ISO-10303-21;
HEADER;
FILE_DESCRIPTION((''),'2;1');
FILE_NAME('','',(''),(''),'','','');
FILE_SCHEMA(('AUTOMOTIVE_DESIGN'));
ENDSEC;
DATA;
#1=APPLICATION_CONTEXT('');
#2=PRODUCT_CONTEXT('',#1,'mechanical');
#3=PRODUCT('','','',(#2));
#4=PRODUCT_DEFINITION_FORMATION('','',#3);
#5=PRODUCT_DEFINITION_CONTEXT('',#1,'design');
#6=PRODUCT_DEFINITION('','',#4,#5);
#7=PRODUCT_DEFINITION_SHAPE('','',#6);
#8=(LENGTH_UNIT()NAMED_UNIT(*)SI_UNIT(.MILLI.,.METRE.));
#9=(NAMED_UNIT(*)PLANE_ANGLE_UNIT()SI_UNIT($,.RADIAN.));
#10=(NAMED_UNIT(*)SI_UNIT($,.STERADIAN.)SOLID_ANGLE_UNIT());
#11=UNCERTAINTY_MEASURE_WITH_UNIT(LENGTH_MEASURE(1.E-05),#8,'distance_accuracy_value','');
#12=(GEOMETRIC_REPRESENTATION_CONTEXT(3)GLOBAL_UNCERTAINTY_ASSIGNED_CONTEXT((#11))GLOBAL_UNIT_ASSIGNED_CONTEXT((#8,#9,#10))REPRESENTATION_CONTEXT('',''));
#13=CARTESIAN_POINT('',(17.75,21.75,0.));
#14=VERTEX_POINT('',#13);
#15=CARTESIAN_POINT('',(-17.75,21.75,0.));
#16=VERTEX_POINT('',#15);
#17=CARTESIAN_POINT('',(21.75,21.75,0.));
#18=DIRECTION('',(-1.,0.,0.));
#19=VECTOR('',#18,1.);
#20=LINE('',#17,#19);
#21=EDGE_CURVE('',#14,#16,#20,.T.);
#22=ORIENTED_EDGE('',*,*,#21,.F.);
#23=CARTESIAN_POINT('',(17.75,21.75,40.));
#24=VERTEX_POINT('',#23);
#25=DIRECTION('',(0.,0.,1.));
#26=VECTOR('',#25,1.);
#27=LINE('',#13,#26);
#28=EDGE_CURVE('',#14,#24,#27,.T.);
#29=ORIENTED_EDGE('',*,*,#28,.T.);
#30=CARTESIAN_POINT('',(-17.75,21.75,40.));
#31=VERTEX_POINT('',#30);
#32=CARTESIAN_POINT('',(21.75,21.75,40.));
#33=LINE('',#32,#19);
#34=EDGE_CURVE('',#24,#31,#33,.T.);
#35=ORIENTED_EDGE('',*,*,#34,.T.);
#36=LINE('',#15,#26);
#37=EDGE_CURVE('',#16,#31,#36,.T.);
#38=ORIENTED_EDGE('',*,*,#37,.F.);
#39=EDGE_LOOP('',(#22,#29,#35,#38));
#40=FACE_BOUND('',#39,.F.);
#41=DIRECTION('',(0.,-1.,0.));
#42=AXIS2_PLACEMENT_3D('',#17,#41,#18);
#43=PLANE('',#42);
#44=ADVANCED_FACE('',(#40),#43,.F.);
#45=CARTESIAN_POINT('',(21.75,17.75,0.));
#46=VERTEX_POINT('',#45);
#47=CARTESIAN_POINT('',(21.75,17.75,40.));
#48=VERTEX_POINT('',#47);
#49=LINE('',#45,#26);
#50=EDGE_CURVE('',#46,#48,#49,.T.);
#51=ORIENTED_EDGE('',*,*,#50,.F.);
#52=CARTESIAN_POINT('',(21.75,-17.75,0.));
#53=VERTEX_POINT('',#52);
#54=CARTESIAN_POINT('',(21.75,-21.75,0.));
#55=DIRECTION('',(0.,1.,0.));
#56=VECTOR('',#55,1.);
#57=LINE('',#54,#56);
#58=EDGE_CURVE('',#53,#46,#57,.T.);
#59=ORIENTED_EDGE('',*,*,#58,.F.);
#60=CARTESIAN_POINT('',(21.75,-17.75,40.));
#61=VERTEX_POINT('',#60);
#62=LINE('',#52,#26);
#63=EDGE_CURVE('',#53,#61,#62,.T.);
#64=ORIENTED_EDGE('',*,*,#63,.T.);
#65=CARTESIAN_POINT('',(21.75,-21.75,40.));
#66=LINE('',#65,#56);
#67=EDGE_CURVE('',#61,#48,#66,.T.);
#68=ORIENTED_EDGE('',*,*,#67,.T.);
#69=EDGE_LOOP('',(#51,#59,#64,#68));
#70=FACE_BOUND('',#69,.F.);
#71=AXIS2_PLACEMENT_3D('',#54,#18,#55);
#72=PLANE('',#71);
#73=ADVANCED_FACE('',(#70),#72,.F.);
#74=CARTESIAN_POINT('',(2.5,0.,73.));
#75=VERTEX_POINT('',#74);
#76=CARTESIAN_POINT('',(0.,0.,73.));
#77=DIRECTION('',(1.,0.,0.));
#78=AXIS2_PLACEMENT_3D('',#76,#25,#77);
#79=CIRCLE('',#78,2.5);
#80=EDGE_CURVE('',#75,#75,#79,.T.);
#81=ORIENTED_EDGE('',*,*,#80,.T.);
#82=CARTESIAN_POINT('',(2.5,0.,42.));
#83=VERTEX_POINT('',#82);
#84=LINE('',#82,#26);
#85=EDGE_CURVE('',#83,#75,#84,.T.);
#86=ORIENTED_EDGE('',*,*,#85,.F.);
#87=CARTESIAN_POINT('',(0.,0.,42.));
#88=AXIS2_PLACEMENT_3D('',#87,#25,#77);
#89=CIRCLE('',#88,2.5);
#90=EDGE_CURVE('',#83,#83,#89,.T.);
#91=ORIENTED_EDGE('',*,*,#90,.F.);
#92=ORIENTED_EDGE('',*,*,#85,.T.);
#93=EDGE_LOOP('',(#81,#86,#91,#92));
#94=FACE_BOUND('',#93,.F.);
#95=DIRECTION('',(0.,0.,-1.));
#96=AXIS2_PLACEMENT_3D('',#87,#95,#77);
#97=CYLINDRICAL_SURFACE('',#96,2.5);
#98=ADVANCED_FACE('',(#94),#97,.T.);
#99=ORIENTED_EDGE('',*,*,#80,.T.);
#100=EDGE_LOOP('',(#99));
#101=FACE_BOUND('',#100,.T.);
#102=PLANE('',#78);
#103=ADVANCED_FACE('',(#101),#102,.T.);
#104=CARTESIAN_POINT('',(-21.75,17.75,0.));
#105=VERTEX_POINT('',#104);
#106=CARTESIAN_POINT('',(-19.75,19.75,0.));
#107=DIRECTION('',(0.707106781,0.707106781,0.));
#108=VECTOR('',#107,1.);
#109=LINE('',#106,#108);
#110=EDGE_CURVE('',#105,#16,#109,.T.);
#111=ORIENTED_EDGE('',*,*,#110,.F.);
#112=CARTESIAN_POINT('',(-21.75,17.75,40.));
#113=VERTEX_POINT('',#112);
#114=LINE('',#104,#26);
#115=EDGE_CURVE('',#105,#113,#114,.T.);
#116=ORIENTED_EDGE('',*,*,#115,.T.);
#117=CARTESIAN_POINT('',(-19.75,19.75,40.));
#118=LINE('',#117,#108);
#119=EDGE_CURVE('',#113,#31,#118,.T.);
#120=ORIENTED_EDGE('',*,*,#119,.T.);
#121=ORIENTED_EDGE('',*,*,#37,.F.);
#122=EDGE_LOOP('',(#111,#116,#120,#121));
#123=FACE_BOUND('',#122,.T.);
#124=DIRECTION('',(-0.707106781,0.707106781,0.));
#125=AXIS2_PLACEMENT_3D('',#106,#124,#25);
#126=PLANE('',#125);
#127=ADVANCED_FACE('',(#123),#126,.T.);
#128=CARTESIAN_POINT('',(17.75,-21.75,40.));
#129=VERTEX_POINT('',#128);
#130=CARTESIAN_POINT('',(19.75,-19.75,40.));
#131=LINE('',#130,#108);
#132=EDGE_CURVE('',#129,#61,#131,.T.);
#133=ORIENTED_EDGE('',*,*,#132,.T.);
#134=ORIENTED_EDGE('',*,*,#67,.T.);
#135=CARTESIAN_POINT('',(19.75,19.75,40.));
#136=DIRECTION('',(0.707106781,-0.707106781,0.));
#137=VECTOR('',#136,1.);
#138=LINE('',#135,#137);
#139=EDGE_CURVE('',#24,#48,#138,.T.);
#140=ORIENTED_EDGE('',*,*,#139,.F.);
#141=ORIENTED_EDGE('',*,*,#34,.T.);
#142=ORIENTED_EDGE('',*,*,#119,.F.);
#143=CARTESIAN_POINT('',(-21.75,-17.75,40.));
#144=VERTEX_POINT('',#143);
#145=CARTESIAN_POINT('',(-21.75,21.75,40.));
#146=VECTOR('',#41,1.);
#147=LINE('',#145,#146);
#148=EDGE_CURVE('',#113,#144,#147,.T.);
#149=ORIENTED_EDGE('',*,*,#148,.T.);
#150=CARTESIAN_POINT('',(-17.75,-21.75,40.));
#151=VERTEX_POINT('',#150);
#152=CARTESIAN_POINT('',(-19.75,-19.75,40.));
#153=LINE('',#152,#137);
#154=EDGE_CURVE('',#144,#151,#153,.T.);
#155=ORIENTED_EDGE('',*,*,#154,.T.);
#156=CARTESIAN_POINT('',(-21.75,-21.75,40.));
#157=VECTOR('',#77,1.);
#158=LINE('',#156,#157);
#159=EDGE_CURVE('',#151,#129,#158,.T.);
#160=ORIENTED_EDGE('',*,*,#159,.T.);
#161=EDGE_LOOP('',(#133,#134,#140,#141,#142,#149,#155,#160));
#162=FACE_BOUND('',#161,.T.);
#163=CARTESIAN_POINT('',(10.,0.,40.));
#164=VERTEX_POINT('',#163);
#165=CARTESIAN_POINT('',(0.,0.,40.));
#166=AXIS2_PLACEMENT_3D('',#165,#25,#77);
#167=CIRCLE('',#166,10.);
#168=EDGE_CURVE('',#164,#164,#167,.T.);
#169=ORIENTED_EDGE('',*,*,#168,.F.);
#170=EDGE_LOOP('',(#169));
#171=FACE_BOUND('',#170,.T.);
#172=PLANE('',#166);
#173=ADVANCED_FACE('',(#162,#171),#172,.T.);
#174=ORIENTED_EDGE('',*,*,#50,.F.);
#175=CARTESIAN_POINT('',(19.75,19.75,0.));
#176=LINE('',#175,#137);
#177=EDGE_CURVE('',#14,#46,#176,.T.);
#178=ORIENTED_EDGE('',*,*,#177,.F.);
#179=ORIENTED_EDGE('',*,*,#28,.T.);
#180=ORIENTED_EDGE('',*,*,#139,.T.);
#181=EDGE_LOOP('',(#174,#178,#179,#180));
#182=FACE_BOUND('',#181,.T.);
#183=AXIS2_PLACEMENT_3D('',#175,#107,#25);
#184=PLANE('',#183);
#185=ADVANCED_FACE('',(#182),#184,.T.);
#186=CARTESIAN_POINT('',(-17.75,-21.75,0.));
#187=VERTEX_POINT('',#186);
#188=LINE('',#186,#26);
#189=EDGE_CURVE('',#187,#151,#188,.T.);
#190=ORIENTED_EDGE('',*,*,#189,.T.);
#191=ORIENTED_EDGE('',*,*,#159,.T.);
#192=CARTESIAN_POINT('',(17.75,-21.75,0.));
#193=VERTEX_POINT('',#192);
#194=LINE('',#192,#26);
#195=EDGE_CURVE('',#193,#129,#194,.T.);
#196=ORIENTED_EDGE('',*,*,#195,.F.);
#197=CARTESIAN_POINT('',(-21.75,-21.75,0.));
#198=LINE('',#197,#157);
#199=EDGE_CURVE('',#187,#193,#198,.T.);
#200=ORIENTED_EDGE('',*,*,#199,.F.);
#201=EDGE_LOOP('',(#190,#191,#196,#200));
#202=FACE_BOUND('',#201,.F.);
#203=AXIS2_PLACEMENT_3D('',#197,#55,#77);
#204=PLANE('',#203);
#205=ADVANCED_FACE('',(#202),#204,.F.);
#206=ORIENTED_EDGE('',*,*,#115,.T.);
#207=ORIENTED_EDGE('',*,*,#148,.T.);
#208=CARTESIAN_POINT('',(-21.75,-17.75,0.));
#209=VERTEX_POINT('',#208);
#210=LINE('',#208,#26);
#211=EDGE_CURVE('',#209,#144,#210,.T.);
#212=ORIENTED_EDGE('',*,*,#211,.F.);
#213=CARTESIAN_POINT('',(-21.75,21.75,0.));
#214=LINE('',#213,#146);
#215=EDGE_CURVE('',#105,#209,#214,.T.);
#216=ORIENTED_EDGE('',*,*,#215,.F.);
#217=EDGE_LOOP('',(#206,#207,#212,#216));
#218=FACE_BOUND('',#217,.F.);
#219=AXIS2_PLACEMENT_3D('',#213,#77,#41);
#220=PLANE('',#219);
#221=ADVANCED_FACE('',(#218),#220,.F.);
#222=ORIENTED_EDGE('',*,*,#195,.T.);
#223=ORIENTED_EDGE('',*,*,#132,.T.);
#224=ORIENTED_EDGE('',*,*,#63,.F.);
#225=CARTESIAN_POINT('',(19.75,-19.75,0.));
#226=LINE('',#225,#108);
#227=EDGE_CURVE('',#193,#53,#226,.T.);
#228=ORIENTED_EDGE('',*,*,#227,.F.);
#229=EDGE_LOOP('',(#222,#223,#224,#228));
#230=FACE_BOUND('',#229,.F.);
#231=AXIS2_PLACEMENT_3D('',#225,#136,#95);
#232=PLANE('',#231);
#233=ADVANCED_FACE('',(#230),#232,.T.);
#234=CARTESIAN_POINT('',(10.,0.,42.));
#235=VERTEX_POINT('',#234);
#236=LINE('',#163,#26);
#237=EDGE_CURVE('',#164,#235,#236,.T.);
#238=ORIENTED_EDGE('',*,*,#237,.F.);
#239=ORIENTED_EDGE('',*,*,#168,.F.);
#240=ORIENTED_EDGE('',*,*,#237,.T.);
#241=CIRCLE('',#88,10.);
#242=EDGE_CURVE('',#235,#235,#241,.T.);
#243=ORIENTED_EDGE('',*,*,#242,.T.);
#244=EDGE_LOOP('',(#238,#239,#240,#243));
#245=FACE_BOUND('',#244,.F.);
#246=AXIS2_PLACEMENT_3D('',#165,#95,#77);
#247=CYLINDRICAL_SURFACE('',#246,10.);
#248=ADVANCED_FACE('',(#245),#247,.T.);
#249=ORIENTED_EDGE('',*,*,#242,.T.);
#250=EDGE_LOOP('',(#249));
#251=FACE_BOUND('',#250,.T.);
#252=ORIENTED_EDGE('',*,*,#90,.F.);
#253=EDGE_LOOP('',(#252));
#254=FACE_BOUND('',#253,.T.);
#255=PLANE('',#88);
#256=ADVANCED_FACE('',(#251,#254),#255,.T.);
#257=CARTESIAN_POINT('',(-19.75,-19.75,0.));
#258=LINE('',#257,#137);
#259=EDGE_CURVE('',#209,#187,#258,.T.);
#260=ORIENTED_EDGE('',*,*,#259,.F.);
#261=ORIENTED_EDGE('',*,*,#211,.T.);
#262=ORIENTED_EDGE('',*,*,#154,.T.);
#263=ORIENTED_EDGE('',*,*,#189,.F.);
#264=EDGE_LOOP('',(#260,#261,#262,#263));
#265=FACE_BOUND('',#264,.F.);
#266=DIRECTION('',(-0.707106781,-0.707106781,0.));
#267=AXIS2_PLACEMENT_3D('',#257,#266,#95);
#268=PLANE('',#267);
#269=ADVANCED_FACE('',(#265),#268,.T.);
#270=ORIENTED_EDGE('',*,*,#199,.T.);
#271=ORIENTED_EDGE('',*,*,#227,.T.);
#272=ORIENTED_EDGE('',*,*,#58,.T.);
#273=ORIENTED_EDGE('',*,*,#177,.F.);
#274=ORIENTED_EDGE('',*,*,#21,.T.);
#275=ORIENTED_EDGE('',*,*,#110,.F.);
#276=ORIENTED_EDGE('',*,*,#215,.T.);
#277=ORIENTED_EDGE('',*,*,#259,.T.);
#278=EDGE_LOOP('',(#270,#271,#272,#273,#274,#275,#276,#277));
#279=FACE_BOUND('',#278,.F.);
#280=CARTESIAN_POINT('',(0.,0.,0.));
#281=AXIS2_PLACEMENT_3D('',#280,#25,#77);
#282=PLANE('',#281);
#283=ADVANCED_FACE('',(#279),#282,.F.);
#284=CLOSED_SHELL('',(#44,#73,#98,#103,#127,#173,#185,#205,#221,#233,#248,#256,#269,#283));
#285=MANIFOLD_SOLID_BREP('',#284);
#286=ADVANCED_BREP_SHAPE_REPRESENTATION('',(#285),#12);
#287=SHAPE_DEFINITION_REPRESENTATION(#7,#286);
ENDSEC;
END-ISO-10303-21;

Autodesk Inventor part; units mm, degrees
ref_plane "YZ Plane" through (0, 0, 0) normal (1, 0, 0) x (0, 1, 0)
ref_plane "XZ Plane" through (0, 0, 0) normal (0, 1, 0) x (-1, 0, 0)
ref_plane "XY Plane" through (0, 0, 0) normal (0, 0, 1) x (1, 0, 0)
sketch "Sketch1" plane through (0, 0, 0) normal (0, 0, 1) x (1, 0, 0)
  line L0 (-21.75, -21.75) -> (21.75, -21.75)
  line L1 (21.75, -21.75) -> (21.75, 21.75)
  line L2 (21.75, 21.75) -> (-21.75, 21.75)
  line L3 (-21.75, 21.75) -> (-21.75, -21.75)
  line L4 (-21.75, -21.75) -> (21.75, 21.75) construction
  line L5 (21.75, -21.75) -> (-21.75, 21.75) construction
  point P0 (0, 0)
  dimension "d0" = 43.5
extrude "Extrusion1" add sketch "Sketch1" along normal blind 40
sketch "Sketch2" plane through (0, 0, 40) normal (0, 0, 1) x (1, 0, 0)
  circle A0 centre (0, 0) radius 10
  dimension "d3" = 20
extrude "Extrusion2" add sketch "Sketch2" along normal blind 2
sketch "Sketch3" plane through (0, 0, 42) normal (0, 0, 1) x (1, 0, 0)
  circle A0 centre (0, 0) radius 2.5
  dimension "d6" = 5
extrude "Extrusion3" add sketch "Sketch3" along normal blind 31
chamfer "Chamfer1" distance 4 angle 45 4 edges at (21.75, 21.75, 20) (-21.75, 21.75, 20) (21.75, -21.75, 20) (-21.75, -21.75, 20)
properties part number "Stepper Simulation"
